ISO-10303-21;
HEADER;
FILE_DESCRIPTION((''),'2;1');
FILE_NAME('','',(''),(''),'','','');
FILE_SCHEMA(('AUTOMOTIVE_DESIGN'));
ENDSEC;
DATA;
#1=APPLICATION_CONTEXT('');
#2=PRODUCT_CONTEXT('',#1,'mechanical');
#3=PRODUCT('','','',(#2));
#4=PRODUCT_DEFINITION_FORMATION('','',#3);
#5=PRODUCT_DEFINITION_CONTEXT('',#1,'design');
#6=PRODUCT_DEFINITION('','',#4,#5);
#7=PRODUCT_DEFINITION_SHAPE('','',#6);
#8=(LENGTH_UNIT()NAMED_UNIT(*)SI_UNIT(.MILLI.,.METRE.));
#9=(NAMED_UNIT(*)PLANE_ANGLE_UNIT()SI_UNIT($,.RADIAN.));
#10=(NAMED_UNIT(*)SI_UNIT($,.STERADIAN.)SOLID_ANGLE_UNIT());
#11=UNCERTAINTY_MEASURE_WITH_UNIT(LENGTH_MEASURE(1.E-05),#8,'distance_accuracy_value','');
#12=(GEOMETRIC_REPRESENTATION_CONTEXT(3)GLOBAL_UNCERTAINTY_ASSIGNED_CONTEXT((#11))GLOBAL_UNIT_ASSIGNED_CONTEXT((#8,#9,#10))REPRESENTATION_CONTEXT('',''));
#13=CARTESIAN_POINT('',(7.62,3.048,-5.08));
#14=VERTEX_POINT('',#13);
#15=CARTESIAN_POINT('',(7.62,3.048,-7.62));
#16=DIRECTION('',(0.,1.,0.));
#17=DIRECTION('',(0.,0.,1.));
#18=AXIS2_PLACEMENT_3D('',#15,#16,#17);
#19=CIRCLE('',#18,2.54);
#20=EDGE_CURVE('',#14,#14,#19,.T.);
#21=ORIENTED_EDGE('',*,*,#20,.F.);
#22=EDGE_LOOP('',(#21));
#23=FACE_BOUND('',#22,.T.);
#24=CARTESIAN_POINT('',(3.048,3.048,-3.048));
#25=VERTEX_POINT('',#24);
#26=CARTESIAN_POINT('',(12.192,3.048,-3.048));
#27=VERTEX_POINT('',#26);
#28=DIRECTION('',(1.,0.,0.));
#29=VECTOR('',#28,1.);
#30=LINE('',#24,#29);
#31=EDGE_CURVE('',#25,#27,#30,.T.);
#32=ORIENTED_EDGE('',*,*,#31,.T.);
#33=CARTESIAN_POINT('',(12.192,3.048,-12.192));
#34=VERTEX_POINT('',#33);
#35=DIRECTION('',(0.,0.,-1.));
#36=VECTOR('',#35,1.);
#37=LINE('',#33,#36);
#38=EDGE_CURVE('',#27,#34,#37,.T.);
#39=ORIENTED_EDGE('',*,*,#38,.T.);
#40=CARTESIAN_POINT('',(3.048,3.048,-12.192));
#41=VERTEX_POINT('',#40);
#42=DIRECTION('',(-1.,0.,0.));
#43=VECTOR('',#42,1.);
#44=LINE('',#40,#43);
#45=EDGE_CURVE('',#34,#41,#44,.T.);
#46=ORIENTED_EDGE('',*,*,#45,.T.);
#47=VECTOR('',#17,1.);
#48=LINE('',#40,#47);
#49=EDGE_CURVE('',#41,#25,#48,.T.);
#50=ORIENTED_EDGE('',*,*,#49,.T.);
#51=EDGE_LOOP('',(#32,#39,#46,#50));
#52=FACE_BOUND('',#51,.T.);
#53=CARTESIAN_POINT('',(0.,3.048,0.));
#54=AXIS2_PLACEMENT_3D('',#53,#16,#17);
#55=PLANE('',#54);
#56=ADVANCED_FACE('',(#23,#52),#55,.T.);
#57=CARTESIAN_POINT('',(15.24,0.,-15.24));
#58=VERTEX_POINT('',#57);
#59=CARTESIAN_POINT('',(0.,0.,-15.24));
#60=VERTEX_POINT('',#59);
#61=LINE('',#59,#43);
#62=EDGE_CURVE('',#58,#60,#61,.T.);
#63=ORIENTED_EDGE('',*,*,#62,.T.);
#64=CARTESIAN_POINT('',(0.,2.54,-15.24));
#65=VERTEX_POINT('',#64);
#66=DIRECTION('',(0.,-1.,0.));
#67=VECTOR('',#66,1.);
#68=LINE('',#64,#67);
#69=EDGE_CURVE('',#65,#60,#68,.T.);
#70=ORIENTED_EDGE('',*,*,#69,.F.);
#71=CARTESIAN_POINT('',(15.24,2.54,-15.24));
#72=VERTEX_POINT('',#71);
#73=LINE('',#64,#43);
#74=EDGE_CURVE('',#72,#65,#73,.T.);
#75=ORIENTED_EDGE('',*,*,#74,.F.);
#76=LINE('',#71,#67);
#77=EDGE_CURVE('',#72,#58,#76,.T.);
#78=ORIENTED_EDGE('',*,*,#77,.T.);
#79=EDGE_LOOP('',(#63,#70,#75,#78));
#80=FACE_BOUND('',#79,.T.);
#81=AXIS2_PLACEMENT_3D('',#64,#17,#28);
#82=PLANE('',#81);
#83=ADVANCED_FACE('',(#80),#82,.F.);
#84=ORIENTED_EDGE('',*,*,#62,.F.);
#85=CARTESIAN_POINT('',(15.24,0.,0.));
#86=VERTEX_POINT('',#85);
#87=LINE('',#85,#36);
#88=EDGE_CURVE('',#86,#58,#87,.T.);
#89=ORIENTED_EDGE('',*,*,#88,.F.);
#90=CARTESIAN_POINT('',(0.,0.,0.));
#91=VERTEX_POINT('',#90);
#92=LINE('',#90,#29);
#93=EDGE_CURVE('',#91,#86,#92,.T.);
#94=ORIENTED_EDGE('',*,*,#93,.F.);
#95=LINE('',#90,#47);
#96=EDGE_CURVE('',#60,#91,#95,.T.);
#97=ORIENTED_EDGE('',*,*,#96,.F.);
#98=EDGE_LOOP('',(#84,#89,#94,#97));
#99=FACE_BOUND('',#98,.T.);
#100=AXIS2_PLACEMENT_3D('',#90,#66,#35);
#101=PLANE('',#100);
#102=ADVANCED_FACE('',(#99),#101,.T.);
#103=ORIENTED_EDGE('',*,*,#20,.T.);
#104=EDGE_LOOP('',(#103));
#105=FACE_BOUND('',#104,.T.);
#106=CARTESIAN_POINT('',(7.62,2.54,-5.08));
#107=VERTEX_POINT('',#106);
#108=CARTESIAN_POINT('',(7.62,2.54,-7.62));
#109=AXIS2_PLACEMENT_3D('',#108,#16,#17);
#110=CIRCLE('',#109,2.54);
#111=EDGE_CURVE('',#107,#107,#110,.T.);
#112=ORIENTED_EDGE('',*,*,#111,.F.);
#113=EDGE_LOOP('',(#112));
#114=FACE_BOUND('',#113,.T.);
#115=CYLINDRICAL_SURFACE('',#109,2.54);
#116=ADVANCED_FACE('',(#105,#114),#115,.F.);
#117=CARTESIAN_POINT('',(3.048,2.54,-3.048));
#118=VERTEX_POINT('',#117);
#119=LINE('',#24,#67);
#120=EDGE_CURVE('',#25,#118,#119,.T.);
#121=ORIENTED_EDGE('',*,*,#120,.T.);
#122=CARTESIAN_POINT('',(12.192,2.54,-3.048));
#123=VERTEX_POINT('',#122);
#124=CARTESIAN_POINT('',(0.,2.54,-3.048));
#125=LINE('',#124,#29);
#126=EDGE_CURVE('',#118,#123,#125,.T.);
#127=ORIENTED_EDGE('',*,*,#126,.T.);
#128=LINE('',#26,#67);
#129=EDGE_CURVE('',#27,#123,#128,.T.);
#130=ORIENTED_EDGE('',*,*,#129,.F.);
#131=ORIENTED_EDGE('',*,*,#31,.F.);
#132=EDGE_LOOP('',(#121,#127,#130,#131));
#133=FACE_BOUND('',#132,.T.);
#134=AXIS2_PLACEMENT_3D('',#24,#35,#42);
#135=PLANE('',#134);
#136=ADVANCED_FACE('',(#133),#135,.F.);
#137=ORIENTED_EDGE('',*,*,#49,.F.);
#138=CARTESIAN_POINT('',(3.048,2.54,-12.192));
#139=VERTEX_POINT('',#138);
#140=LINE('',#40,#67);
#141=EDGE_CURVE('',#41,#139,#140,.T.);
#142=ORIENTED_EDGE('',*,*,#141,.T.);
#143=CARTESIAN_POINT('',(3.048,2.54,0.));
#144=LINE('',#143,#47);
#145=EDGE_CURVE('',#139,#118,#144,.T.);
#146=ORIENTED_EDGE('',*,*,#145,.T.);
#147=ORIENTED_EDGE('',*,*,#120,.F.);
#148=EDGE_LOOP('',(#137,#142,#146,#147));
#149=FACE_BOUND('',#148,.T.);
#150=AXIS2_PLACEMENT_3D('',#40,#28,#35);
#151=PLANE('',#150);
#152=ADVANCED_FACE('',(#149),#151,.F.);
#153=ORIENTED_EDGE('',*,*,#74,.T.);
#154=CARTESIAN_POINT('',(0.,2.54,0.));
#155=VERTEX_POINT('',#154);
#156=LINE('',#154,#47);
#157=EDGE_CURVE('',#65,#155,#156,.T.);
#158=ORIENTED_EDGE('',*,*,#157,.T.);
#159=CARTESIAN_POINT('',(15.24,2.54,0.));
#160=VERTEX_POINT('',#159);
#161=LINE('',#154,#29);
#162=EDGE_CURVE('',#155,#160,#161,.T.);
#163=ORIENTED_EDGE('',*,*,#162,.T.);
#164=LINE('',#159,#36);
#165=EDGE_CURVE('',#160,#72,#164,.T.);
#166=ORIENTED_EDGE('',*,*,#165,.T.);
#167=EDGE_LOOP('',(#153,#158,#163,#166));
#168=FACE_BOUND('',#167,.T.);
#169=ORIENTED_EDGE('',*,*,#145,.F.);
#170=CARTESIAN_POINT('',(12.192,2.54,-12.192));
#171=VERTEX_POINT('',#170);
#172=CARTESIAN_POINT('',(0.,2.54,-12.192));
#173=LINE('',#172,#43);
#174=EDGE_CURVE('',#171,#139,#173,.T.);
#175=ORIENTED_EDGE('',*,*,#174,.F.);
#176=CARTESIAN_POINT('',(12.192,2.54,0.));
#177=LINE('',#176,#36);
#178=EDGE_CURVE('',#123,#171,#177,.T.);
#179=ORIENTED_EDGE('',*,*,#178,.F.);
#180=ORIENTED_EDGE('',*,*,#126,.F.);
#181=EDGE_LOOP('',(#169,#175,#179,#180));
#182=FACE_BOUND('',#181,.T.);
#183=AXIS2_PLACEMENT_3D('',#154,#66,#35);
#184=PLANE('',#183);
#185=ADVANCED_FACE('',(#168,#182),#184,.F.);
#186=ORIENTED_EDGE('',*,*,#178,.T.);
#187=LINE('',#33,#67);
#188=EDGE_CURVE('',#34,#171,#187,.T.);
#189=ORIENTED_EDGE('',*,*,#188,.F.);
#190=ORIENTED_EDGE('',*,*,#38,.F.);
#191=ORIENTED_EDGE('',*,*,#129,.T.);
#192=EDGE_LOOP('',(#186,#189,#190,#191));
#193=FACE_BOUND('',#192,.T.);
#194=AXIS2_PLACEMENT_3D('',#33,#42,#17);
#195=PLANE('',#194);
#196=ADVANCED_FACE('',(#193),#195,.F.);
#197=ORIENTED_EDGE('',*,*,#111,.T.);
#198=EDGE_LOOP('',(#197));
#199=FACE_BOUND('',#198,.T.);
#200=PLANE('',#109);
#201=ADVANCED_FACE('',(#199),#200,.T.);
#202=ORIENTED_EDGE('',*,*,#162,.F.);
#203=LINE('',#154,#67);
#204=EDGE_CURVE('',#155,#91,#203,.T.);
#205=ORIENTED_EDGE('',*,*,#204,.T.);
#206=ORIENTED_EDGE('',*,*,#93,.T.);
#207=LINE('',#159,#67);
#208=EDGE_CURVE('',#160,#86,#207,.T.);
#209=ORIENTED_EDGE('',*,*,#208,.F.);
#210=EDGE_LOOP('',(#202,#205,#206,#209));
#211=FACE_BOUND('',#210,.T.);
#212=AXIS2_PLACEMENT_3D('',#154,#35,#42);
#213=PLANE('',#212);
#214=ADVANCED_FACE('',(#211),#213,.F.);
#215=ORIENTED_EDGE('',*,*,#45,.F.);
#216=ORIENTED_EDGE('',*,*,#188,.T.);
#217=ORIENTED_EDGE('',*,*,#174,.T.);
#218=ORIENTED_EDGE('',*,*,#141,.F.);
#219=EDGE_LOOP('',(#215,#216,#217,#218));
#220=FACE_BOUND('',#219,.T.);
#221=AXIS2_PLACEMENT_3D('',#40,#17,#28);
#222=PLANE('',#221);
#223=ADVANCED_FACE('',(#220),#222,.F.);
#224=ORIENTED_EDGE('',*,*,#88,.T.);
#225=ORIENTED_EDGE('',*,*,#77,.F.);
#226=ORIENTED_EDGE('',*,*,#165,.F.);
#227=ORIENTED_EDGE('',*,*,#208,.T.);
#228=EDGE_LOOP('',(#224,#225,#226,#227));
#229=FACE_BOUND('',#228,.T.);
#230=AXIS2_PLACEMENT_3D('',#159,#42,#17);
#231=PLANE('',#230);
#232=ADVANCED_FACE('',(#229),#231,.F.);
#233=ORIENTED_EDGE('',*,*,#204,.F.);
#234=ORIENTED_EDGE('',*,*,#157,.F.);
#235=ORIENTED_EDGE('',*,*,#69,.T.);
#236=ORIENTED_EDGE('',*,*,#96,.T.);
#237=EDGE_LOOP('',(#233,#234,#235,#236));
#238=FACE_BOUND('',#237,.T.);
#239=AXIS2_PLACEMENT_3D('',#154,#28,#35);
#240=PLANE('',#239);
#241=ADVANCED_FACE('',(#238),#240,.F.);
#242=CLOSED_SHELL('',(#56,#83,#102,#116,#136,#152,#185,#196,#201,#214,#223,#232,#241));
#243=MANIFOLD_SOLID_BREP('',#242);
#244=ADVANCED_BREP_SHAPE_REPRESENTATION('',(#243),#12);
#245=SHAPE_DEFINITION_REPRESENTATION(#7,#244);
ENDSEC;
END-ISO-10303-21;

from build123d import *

# Parameters (mm, degrees)
SKETCH1_W           = 15.24
SKETCH1_H           = 15.24
BOSS_EXTRUDE1_DEPTH = 2.54
SKETCH2_W           = 9.144
SKETCH2_H           = 9.144
BOSS_EXTRUDE2_DEPTH = 3.048
SKETCH3_R           = 2.54
CUT_EXTRUDE1_DEPTH  = 0.508


with BuildPart() as part:
    # Sketch1 → Boss-Extrude1 (new body)
    with BuildSketch(Plane(origin=(0, 0, 0), x_dir=(1, 0, 0), z_dir=(0, 1, 0))):
        with Locations((7.62, 7.62)):
            Rectangle(SKETCH1_W, SKETCH1_H)
    extrude(amount=BOSS_EXTRUDE1_DEPTH)

    # Sketch2 → Boss-Extrude2 (add)
    with BuildSketch(Plane(origin=(0, 0, 0), x_dir=(1, 0, 0), z_dir=(0, 1, 0))):
        with Locations((7.62, 7.62)):
            Rectangle(SKETCH2_W, SKETCH2_H)
    extrude(amount=BOSS_EXTRUDE2_DEPTH)

    # Sketch3 → Cut-Extrude1 (cut)
    with BuildSketch(Plane(origin=(0, 3.048, 0), x_dir=(1, 0, 0), z_dir=(0, 1, 0))):
        with Locations((7.62, 7.62)):
            Circle(SKETCH3_R)
    extrude(amount=-CUT_EXTRUDE1_DEPTH, mode=Mode.SUBTRACT)


solid = part.part
